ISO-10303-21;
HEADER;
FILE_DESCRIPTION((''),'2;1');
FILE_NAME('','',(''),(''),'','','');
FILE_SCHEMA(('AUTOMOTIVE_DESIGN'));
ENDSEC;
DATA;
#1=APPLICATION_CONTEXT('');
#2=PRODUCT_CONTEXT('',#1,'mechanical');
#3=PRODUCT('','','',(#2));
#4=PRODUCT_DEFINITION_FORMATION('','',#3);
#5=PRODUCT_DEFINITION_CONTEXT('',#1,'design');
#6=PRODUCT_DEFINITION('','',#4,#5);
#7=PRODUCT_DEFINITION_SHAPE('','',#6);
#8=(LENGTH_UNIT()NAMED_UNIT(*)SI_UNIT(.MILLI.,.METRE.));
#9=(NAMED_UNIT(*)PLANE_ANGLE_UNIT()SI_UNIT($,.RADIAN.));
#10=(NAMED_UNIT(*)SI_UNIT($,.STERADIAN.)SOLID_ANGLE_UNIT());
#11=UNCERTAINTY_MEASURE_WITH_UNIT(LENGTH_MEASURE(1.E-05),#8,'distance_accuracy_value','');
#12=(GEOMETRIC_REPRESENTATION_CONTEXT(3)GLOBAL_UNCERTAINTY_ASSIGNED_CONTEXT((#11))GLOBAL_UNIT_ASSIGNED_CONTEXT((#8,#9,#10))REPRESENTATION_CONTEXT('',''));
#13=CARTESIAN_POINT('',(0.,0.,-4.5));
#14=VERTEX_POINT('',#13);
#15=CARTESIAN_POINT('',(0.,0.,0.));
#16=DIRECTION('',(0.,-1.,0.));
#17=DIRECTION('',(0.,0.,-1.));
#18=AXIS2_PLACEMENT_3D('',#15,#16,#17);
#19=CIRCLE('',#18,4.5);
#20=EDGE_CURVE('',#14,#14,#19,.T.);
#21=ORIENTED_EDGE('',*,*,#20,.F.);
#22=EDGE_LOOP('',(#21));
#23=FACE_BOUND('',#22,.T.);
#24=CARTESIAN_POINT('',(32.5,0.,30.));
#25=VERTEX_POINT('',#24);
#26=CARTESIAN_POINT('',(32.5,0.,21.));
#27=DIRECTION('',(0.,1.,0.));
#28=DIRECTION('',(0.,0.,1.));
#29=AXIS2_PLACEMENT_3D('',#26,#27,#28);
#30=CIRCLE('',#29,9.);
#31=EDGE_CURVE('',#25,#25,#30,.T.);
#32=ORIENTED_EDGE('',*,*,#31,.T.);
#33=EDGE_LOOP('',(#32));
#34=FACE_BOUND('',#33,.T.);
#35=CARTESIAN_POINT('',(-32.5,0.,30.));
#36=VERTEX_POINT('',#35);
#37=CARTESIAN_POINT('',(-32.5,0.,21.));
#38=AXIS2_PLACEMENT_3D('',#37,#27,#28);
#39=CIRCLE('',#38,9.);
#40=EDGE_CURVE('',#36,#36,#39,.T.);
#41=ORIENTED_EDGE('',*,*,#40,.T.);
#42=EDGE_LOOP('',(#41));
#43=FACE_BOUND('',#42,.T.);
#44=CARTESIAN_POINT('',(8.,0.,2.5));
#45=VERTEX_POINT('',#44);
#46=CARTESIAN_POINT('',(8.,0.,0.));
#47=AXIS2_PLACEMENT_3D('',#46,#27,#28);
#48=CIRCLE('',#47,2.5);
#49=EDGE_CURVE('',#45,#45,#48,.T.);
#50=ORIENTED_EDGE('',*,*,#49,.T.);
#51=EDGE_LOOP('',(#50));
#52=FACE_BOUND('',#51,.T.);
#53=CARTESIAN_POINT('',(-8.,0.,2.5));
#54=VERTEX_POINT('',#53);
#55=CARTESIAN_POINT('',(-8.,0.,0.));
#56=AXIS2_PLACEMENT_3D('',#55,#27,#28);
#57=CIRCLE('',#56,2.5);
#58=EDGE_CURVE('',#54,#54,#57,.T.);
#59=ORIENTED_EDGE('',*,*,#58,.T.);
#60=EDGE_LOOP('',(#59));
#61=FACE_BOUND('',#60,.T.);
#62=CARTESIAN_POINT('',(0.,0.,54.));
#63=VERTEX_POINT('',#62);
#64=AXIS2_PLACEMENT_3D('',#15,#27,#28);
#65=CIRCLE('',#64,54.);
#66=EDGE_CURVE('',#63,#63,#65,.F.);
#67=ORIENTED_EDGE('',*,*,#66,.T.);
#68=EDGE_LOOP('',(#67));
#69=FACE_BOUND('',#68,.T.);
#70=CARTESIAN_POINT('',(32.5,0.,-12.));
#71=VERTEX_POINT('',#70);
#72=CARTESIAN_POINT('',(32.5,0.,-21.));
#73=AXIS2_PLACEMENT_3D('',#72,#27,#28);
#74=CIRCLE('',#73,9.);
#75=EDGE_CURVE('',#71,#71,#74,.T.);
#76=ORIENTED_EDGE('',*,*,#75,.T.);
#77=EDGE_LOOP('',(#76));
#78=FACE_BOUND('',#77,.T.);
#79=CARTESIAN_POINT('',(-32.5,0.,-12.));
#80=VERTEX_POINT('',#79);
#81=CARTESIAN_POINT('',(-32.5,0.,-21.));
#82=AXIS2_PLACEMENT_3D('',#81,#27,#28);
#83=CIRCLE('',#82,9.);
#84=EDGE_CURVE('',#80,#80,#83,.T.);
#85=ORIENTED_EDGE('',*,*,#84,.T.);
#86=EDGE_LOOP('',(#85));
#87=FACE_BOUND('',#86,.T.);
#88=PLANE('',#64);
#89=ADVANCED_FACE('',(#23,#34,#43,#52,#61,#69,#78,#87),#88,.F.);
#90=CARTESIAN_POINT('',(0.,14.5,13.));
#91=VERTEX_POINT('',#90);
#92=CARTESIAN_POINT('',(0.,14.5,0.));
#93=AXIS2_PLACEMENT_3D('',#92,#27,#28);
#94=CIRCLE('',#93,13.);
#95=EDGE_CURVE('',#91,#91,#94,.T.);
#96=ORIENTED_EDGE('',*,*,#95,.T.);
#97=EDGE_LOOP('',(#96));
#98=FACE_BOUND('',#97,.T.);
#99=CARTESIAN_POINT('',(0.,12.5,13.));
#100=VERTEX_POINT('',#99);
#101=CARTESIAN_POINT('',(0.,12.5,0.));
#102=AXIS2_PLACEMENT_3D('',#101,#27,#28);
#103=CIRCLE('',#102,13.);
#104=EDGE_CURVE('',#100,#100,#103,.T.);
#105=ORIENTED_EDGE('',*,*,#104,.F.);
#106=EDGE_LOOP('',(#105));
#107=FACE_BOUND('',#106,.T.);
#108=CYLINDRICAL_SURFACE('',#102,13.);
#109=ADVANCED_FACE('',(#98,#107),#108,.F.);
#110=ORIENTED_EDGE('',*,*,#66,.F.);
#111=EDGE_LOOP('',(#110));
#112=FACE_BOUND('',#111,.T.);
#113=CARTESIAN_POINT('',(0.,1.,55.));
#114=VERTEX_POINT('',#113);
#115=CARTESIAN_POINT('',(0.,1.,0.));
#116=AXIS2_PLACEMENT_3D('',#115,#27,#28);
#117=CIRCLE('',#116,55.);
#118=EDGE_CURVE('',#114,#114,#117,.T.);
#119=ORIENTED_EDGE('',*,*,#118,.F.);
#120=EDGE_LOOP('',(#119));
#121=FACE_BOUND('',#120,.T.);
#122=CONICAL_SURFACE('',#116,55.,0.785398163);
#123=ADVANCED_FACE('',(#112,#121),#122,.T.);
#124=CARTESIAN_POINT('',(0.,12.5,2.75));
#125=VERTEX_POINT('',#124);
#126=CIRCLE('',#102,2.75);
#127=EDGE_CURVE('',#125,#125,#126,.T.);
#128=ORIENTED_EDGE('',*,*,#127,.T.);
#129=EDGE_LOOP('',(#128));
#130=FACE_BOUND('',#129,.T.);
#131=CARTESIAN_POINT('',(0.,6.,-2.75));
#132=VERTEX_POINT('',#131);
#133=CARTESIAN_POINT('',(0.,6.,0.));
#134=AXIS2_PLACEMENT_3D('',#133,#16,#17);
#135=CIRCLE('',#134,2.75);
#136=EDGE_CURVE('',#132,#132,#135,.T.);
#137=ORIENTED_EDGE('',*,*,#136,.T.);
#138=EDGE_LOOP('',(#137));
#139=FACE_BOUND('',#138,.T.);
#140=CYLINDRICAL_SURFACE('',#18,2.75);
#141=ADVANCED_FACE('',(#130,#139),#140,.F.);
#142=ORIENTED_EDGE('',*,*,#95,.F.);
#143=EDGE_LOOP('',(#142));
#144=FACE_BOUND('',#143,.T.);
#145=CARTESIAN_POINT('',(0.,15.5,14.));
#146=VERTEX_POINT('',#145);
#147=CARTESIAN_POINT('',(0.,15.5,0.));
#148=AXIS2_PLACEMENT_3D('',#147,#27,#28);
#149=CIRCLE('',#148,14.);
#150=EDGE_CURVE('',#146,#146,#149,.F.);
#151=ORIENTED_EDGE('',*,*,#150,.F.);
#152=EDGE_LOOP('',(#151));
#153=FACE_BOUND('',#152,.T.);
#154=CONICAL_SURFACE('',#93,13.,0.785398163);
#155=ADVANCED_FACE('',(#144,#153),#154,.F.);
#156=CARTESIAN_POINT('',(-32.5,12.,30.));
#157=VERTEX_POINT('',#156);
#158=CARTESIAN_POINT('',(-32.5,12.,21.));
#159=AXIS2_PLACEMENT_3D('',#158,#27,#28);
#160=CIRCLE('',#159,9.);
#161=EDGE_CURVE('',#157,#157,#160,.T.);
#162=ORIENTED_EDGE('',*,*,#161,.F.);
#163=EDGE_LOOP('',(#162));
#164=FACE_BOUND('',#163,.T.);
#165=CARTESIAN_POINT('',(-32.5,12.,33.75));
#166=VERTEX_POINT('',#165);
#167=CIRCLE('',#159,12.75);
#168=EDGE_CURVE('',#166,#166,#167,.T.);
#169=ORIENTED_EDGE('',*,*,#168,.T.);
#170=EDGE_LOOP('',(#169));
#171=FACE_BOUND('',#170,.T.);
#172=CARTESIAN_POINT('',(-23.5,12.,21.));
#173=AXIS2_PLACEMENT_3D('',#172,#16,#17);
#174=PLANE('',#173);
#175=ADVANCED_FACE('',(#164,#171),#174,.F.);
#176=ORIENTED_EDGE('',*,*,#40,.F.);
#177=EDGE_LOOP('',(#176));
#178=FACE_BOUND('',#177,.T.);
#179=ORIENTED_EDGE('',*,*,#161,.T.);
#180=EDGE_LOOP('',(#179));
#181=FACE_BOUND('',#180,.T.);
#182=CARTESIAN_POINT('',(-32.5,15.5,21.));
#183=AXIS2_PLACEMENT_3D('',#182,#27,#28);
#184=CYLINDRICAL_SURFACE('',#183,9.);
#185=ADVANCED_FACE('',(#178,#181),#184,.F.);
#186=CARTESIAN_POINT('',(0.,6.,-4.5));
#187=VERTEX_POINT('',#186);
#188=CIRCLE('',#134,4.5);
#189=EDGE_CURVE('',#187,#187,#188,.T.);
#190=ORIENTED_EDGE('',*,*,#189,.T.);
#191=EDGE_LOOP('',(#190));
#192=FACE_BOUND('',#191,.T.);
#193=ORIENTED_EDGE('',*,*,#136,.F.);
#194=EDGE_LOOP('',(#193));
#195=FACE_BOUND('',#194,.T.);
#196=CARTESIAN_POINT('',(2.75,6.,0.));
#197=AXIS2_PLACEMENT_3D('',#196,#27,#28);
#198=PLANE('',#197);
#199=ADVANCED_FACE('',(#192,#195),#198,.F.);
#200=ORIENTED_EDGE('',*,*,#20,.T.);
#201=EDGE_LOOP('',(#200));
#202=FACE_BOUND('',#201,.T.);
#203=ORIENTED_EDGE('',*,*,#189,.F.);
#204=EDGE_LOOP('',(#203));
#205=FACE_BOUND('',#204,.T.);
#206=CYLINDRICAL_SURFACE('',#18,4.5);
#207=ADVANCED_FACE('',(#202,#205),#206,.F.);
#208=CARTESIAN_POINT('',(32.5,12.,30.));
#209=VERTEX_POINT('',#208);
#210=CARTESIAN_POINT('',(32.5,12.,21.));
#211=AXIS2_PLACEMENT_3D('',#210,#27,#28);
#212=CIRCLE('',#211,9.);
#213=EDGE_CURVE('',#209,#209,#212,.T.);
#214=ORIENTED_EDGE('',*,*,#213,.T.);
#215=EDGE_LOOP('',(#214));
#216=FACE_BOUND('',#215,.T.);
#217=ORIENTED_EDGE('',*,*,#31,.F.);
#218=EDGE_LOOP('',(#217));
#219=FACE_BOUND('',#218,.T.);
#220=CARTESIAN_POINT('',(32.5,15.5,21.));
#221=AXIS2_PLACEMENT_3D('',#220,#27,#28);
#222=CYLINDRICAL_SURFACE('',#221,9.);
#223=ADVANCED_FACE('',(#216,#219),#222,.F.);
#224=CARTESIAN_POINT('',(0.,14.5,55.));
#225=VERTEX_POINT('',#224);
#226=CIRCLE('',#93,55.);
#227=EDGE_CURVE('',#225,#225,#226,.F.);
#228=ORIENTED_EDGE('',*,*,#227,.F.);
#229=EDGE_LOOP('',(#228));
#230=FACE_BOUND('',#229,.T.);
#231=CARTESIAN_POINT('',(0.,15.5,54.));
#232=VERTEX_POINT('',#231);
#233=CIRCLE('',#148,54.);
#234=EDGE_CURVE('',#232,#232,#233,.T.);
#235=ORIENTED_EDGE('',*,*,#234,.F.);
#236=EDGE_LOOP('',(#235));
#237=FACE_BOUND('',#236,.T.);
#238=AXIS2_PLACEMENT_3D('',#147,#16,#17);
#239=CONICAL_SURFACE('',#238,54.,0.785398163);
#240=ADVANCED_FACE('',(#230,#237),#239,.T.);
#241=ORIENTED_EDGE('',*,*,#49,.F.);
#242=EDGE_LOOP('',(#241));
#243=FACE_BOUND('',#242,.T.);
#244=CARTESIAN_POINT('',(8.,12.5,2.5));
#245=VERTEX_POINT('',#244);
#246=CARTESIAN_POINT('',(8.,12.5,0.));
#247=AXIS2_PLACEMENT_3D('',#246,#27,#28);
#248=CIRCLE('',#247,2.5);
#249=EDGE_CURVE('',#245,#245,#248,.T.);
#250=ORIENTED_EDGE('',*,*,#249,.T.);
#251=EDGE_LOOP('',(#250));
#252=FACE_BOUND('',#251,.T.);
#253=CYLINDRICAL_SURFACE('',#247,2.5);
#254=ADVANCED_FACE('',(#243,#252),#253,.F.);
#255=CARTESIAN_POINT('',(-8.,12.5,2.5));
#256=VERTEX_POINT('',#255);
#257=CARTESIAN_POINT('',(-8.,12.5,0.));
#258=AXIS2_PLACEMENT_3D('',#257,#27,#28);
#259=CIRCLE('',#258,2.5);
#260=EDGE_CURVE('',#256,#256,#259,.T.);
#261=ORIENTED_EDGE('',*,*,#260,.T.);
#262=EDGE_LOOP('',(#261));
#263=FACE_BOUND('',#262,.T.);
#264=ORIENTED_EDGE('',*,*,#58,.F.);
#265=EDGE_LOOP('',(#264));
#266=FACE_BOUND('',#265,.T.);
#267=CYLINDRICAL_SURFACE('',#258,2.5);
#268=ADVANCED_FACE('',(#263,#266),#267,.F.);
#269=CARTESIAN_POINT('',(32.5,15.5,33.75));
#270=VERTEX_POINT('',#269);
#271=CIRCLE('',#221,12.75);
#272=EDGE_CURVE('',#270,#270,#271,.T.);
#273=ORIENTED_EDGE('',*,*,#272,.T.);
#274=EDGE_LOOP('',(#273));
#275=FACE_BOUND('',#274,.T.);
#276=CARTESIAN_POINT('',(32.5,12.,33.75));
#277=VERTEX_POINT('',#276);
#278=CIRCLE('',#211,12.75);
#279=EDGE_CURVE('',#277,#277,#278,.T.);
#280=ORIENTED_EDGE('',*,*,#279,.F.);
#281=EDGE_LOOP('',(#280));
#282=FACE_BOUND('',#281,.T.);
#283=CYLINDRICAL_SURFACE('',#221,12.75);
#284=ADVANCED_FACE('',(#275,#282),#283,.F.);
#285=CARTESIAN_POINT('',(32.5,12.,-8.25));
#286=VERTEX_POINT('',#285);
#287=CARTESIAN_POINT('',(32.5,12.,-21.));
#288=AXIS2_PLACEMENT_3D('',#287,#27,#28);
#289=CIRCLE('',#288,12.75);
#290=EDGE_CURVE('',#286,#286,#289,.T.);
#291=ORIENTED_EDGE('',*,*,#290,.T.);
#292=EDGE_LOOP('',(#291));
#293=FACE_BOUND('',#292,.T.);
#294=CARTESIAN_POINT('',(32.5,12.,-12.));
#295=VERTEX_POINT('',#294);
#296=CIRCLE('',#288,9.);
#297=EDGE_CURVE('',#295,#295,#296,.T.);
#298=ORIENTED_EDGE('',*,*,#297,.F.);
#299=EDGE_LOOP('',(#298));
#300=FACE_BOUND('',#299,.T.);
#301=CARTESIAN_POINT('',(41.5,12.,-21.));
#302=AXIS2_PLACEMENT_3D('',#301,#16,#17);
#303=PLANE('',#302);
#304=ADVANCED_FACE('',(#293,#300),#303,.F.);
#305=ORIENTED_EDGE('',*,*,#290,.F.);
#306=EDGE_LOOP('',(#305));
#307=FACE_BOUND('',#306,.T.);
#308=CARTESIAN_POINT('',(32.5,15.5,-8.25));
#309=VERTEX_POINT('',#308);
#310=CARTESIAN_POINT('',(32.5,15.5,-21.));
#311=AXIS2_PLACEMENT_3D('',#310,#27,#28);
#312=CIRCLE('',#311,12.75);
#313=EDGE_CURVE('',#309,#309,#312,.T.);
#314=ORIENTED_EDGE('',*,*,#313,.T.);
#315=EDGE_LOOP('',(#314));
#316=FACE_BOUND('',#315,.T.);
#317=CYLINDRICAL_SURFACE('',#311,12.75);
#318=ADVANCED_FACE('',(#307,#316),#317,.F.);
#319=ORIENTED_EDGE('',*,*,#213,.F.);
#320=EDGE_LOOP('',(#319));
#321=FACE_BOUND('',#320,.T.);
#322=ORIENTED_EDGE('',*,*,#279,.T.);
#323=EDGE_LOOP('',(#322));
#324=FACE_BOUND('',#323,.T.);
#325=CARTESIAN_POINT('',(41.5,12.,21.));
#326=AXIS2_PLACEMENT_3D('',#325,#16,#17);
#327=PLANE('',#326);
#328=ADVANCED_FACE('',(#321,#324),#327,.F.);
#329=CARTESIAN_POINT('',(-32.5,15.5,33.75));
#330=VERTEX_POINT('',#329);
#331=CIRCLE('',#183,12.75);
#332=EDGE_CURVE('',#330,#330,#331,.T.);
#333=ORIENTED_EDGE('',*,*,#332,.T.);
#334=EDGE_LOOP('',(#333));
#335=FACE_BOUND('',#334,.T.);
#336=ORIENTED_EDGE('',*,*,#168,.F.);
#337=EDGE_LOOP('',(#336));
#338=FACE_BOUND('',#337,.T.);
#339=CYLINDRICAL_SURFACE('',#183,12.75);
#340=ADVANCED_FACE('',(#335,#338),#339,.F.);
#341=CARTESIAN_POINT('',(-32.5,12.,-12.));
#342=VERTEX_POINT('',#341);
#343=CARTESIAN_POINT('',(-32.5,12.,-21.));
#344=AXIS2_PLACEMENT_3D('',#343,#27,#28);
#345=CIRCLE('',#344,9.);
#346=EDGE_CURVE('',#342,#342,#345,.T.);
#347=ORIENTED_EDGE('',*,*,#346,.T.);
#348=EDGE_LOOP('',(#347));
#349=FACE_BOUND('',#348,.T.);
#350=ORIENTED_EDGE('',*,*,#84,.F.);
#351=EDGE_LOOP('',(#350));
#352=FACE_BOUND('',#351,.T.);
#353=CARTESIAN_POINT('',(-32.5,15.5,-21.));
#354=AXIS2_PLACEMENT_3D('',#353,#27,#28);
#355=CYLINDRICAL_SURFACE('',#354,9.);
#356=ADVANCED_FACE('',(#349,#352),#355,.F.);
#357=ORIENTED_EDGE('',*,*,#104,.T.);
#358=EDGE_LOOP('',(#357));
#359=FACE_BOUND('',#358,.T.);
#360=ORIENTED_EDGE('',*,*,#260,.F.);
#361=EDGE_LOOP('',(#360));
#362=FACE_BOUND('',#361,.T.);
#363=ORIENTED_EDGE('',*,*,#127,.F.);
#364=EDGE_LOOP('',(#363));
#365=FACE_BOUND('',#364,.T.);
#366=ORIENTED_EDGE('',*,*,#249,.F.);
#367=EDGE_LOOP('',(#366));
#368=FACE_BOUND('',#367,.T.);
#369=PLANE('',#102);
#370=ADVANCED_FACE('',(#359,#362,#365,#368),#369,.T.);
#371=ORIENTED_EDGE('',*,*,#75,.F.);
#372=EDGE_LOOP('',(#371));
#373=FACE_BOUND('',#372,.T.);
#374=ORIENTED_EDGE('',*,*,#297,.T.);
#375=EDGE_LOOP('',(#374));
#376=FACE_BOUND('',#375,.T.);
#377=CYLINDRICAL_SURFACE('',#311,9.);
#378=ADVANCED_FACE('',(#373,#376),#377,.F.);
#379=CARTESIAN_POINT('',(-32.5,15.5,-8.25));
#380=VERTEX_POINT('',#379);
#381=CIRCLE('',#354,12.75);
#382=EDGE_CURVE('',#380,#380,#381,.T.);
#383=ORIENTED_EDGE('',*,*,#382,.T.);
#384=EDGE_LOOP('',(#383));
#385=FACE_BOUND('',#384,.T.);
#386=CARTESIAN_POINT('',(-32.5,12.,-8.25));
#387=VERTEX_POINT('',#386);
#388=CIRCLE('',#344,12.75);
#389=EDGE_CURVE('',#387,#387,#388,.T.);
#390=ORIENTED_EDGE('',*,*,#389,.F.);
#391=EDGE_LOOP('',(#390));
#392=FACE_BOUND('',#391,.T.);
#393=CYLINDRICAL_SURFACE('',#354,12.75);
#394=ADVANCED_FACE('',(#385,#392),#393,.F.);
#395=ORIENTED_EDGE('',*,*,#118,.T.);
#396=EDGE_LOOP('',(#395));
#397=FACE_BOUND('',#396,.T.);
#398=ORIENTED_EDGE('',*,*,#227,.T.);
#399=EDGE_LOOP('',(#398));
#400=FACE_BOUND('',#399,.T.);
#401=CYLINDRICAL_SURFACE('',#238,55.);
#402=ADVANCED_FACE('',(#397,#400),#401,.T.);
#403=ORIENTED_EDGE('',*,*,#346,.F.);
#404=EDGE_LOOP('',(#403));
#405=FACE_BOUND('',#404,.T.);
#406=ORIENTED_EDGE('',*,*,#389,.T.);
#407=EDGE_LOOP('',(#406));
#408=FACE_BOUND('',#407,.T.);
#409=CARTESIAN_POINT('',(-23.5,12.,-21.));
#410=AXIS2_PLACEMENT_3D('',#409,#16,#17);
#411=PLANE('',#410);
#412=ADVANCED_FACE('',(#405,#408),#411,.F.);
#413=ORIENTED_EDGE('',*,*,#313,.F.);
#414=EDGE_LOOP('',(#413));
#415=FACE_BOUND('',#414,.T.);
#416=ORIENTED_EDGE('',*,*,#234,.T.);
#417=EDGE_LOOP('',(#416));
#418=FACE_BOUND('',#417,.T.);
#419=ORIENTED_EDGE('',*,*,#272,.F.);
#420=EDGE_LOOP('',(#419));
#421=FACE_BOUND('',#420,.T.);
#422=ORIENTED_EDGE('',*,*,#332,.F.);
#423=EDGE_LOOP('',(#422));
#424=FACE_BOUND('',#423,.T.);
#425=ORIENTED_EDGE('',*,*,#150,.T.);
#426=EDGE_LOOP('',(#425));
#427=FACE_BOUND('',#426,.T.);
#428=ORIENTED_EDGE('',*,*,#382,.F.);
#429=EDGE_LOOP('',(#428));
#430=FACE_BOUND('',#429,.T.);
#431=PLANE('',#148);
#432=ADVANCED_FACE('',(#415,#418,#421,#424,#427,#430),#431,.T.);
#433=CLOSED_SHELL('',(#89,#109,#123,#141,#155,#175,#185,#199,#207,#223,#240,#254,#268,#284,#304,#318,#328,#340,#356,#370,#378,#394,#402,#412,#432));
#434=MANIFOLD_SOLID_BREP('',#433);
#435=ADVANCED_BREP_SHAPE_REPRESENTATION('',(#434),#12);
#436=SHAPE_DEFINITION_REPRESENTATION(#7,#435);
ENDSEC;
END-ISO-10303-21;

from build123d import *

# Parameters (mm, degrees)
SKETCH1_R                                           = 55
BOSS_EXTRUDE1_DEPTH                                 = 15.5
CBORE_FOR_M6_HEX_SOCKET_HEAD_CAP_SCREW1_D           = 18
CBORE_FOR_M6_HEX_SOCKET_HEAD_CAP_SCREW1_CBORE_D     = 25.5
CBORE_FOR_M6_HEX_SOCKET_HEAD_CAP_SCREW1_CBORE_DEPTH = 3.5
SKETCH5_R                                           = 13
CUT_EXTRUDE1_DEPTH                                  = 3
F_5_0MM_DOWEL_HOLE1_D                               = 5
CHAMFER1_SIZE                                       = 1
CHAMFER2_SIZE                                       = 1
CBORE_FOR_M5_HEX_SOCKET_HEAD_CAP_SCREW1_D           = 5.5
CBORE_FOR_M5_HEX_SOCKET_HEAD_CAP_SCREW1_CBORE_D     = 9
CBORE_FOR_M5_HEX_SOCKET_HEAD_CAP_SCREW1_CBORE_DEPTH = 6


with BuildPart() as part:
    # Sketch1 → Boss-Extrude1 (new body)
    with BuildSketch(Plane(origin=(0, 0, 0), x_dir=(1, 0, 0), z_dir=(0, 1, 0))):
        with Locations(Location((0, 0, 0), (0, 0, 270))):
            Circle(SKETCH1_R)
    extrude(amount=BOSS_EXTRUDE1_DEPTH)

    # CBORE for M6 Hex Socket Head Cap Screw1 (through all)
    with Locations(Plane(origin=(0, 15.5, 0), x_dir=(1, 0, 0), z_dir=(0, 1, 0))):
        with Locations((-32.5, 21), (32.5, 21), (32.5, -21), (-32.5, -21)):
            CounterBoreHole(CBORE_FOR_M6_HEX_SOCKET_HEAD_CAP_SCREW1_D / 2, CBORE_FOR_M6_HEX_SOCKET_HEAD_CAP_SCREW1_CBORE_D / 2, CBORE_FOR_M6_HEX_SOCKET_HEAD_CAP_SCREW1_CBORE_DEPTH)

    # Sketch5 → Cut-Extrude1 (cut)
    with BuildSketch(Plane(origin=(0, 15.5, 0), x_dir=(1, 0, 0), z_dir=(0, 1, 0))):
        with Locations(Location((0, 0, 0), (0, 0, 270))):
            Circle(SKETCH5_R)
    extrude(amount=-CUT_EXTRUDE1_DEPTH, mode=Mode.SUBTRACT)

    # Ø5.0mm Dowel Hole1 (through all)
    with Locations(Plane(origin=(0, 12.5, 0), x_dir=(1, 0, 0), z_dir=(0, 1, 0))):
        with Locations((-8, 0), (8, 0)):
            Hole(F_5_0MM_DOWEL_HOLE1_D / 2)

    # Chamfer1
    chamfer1_edges = [part.edges().sort_by_distance(p)[0] for p in [
        (0, 15.5, -13),
        (0, 15.5, -55),
    ]]
    chamfer(chamfer1_edges, length=CHAMFER1_SIZE)

    # Chamfer2
    chamfer2_edges = [part.edges().sort_by_distance(p)[0] for p in [
        (0, 0, -55),
    ]]
    chamfer(chamfer2_edges, length=CHAMFER2_SIZE)

    # CBORE for M5 Hex Socket Head Cap Screw1 (through all)
    with Locations(Plane(origin=(0, 0, 0), x_dir=(-1, 0, 0), z_dir=(0, -1, 0))):
        with Locations((0, 0)):
            CounterBoreHole(CBORE_FOR_M5_HEX_SOCKET_HEAD_CAP_SCREW1_D / 2, CBORE_FOR_M5_HEX_SOCKET_HEAD_CAP_SCREW1_CBORE_D / 2, CBORE_FOR_M5_HEX_SOCKET_HEAD_CAP_SCREW1_CBORE_DEPTH)


solid = part.part
